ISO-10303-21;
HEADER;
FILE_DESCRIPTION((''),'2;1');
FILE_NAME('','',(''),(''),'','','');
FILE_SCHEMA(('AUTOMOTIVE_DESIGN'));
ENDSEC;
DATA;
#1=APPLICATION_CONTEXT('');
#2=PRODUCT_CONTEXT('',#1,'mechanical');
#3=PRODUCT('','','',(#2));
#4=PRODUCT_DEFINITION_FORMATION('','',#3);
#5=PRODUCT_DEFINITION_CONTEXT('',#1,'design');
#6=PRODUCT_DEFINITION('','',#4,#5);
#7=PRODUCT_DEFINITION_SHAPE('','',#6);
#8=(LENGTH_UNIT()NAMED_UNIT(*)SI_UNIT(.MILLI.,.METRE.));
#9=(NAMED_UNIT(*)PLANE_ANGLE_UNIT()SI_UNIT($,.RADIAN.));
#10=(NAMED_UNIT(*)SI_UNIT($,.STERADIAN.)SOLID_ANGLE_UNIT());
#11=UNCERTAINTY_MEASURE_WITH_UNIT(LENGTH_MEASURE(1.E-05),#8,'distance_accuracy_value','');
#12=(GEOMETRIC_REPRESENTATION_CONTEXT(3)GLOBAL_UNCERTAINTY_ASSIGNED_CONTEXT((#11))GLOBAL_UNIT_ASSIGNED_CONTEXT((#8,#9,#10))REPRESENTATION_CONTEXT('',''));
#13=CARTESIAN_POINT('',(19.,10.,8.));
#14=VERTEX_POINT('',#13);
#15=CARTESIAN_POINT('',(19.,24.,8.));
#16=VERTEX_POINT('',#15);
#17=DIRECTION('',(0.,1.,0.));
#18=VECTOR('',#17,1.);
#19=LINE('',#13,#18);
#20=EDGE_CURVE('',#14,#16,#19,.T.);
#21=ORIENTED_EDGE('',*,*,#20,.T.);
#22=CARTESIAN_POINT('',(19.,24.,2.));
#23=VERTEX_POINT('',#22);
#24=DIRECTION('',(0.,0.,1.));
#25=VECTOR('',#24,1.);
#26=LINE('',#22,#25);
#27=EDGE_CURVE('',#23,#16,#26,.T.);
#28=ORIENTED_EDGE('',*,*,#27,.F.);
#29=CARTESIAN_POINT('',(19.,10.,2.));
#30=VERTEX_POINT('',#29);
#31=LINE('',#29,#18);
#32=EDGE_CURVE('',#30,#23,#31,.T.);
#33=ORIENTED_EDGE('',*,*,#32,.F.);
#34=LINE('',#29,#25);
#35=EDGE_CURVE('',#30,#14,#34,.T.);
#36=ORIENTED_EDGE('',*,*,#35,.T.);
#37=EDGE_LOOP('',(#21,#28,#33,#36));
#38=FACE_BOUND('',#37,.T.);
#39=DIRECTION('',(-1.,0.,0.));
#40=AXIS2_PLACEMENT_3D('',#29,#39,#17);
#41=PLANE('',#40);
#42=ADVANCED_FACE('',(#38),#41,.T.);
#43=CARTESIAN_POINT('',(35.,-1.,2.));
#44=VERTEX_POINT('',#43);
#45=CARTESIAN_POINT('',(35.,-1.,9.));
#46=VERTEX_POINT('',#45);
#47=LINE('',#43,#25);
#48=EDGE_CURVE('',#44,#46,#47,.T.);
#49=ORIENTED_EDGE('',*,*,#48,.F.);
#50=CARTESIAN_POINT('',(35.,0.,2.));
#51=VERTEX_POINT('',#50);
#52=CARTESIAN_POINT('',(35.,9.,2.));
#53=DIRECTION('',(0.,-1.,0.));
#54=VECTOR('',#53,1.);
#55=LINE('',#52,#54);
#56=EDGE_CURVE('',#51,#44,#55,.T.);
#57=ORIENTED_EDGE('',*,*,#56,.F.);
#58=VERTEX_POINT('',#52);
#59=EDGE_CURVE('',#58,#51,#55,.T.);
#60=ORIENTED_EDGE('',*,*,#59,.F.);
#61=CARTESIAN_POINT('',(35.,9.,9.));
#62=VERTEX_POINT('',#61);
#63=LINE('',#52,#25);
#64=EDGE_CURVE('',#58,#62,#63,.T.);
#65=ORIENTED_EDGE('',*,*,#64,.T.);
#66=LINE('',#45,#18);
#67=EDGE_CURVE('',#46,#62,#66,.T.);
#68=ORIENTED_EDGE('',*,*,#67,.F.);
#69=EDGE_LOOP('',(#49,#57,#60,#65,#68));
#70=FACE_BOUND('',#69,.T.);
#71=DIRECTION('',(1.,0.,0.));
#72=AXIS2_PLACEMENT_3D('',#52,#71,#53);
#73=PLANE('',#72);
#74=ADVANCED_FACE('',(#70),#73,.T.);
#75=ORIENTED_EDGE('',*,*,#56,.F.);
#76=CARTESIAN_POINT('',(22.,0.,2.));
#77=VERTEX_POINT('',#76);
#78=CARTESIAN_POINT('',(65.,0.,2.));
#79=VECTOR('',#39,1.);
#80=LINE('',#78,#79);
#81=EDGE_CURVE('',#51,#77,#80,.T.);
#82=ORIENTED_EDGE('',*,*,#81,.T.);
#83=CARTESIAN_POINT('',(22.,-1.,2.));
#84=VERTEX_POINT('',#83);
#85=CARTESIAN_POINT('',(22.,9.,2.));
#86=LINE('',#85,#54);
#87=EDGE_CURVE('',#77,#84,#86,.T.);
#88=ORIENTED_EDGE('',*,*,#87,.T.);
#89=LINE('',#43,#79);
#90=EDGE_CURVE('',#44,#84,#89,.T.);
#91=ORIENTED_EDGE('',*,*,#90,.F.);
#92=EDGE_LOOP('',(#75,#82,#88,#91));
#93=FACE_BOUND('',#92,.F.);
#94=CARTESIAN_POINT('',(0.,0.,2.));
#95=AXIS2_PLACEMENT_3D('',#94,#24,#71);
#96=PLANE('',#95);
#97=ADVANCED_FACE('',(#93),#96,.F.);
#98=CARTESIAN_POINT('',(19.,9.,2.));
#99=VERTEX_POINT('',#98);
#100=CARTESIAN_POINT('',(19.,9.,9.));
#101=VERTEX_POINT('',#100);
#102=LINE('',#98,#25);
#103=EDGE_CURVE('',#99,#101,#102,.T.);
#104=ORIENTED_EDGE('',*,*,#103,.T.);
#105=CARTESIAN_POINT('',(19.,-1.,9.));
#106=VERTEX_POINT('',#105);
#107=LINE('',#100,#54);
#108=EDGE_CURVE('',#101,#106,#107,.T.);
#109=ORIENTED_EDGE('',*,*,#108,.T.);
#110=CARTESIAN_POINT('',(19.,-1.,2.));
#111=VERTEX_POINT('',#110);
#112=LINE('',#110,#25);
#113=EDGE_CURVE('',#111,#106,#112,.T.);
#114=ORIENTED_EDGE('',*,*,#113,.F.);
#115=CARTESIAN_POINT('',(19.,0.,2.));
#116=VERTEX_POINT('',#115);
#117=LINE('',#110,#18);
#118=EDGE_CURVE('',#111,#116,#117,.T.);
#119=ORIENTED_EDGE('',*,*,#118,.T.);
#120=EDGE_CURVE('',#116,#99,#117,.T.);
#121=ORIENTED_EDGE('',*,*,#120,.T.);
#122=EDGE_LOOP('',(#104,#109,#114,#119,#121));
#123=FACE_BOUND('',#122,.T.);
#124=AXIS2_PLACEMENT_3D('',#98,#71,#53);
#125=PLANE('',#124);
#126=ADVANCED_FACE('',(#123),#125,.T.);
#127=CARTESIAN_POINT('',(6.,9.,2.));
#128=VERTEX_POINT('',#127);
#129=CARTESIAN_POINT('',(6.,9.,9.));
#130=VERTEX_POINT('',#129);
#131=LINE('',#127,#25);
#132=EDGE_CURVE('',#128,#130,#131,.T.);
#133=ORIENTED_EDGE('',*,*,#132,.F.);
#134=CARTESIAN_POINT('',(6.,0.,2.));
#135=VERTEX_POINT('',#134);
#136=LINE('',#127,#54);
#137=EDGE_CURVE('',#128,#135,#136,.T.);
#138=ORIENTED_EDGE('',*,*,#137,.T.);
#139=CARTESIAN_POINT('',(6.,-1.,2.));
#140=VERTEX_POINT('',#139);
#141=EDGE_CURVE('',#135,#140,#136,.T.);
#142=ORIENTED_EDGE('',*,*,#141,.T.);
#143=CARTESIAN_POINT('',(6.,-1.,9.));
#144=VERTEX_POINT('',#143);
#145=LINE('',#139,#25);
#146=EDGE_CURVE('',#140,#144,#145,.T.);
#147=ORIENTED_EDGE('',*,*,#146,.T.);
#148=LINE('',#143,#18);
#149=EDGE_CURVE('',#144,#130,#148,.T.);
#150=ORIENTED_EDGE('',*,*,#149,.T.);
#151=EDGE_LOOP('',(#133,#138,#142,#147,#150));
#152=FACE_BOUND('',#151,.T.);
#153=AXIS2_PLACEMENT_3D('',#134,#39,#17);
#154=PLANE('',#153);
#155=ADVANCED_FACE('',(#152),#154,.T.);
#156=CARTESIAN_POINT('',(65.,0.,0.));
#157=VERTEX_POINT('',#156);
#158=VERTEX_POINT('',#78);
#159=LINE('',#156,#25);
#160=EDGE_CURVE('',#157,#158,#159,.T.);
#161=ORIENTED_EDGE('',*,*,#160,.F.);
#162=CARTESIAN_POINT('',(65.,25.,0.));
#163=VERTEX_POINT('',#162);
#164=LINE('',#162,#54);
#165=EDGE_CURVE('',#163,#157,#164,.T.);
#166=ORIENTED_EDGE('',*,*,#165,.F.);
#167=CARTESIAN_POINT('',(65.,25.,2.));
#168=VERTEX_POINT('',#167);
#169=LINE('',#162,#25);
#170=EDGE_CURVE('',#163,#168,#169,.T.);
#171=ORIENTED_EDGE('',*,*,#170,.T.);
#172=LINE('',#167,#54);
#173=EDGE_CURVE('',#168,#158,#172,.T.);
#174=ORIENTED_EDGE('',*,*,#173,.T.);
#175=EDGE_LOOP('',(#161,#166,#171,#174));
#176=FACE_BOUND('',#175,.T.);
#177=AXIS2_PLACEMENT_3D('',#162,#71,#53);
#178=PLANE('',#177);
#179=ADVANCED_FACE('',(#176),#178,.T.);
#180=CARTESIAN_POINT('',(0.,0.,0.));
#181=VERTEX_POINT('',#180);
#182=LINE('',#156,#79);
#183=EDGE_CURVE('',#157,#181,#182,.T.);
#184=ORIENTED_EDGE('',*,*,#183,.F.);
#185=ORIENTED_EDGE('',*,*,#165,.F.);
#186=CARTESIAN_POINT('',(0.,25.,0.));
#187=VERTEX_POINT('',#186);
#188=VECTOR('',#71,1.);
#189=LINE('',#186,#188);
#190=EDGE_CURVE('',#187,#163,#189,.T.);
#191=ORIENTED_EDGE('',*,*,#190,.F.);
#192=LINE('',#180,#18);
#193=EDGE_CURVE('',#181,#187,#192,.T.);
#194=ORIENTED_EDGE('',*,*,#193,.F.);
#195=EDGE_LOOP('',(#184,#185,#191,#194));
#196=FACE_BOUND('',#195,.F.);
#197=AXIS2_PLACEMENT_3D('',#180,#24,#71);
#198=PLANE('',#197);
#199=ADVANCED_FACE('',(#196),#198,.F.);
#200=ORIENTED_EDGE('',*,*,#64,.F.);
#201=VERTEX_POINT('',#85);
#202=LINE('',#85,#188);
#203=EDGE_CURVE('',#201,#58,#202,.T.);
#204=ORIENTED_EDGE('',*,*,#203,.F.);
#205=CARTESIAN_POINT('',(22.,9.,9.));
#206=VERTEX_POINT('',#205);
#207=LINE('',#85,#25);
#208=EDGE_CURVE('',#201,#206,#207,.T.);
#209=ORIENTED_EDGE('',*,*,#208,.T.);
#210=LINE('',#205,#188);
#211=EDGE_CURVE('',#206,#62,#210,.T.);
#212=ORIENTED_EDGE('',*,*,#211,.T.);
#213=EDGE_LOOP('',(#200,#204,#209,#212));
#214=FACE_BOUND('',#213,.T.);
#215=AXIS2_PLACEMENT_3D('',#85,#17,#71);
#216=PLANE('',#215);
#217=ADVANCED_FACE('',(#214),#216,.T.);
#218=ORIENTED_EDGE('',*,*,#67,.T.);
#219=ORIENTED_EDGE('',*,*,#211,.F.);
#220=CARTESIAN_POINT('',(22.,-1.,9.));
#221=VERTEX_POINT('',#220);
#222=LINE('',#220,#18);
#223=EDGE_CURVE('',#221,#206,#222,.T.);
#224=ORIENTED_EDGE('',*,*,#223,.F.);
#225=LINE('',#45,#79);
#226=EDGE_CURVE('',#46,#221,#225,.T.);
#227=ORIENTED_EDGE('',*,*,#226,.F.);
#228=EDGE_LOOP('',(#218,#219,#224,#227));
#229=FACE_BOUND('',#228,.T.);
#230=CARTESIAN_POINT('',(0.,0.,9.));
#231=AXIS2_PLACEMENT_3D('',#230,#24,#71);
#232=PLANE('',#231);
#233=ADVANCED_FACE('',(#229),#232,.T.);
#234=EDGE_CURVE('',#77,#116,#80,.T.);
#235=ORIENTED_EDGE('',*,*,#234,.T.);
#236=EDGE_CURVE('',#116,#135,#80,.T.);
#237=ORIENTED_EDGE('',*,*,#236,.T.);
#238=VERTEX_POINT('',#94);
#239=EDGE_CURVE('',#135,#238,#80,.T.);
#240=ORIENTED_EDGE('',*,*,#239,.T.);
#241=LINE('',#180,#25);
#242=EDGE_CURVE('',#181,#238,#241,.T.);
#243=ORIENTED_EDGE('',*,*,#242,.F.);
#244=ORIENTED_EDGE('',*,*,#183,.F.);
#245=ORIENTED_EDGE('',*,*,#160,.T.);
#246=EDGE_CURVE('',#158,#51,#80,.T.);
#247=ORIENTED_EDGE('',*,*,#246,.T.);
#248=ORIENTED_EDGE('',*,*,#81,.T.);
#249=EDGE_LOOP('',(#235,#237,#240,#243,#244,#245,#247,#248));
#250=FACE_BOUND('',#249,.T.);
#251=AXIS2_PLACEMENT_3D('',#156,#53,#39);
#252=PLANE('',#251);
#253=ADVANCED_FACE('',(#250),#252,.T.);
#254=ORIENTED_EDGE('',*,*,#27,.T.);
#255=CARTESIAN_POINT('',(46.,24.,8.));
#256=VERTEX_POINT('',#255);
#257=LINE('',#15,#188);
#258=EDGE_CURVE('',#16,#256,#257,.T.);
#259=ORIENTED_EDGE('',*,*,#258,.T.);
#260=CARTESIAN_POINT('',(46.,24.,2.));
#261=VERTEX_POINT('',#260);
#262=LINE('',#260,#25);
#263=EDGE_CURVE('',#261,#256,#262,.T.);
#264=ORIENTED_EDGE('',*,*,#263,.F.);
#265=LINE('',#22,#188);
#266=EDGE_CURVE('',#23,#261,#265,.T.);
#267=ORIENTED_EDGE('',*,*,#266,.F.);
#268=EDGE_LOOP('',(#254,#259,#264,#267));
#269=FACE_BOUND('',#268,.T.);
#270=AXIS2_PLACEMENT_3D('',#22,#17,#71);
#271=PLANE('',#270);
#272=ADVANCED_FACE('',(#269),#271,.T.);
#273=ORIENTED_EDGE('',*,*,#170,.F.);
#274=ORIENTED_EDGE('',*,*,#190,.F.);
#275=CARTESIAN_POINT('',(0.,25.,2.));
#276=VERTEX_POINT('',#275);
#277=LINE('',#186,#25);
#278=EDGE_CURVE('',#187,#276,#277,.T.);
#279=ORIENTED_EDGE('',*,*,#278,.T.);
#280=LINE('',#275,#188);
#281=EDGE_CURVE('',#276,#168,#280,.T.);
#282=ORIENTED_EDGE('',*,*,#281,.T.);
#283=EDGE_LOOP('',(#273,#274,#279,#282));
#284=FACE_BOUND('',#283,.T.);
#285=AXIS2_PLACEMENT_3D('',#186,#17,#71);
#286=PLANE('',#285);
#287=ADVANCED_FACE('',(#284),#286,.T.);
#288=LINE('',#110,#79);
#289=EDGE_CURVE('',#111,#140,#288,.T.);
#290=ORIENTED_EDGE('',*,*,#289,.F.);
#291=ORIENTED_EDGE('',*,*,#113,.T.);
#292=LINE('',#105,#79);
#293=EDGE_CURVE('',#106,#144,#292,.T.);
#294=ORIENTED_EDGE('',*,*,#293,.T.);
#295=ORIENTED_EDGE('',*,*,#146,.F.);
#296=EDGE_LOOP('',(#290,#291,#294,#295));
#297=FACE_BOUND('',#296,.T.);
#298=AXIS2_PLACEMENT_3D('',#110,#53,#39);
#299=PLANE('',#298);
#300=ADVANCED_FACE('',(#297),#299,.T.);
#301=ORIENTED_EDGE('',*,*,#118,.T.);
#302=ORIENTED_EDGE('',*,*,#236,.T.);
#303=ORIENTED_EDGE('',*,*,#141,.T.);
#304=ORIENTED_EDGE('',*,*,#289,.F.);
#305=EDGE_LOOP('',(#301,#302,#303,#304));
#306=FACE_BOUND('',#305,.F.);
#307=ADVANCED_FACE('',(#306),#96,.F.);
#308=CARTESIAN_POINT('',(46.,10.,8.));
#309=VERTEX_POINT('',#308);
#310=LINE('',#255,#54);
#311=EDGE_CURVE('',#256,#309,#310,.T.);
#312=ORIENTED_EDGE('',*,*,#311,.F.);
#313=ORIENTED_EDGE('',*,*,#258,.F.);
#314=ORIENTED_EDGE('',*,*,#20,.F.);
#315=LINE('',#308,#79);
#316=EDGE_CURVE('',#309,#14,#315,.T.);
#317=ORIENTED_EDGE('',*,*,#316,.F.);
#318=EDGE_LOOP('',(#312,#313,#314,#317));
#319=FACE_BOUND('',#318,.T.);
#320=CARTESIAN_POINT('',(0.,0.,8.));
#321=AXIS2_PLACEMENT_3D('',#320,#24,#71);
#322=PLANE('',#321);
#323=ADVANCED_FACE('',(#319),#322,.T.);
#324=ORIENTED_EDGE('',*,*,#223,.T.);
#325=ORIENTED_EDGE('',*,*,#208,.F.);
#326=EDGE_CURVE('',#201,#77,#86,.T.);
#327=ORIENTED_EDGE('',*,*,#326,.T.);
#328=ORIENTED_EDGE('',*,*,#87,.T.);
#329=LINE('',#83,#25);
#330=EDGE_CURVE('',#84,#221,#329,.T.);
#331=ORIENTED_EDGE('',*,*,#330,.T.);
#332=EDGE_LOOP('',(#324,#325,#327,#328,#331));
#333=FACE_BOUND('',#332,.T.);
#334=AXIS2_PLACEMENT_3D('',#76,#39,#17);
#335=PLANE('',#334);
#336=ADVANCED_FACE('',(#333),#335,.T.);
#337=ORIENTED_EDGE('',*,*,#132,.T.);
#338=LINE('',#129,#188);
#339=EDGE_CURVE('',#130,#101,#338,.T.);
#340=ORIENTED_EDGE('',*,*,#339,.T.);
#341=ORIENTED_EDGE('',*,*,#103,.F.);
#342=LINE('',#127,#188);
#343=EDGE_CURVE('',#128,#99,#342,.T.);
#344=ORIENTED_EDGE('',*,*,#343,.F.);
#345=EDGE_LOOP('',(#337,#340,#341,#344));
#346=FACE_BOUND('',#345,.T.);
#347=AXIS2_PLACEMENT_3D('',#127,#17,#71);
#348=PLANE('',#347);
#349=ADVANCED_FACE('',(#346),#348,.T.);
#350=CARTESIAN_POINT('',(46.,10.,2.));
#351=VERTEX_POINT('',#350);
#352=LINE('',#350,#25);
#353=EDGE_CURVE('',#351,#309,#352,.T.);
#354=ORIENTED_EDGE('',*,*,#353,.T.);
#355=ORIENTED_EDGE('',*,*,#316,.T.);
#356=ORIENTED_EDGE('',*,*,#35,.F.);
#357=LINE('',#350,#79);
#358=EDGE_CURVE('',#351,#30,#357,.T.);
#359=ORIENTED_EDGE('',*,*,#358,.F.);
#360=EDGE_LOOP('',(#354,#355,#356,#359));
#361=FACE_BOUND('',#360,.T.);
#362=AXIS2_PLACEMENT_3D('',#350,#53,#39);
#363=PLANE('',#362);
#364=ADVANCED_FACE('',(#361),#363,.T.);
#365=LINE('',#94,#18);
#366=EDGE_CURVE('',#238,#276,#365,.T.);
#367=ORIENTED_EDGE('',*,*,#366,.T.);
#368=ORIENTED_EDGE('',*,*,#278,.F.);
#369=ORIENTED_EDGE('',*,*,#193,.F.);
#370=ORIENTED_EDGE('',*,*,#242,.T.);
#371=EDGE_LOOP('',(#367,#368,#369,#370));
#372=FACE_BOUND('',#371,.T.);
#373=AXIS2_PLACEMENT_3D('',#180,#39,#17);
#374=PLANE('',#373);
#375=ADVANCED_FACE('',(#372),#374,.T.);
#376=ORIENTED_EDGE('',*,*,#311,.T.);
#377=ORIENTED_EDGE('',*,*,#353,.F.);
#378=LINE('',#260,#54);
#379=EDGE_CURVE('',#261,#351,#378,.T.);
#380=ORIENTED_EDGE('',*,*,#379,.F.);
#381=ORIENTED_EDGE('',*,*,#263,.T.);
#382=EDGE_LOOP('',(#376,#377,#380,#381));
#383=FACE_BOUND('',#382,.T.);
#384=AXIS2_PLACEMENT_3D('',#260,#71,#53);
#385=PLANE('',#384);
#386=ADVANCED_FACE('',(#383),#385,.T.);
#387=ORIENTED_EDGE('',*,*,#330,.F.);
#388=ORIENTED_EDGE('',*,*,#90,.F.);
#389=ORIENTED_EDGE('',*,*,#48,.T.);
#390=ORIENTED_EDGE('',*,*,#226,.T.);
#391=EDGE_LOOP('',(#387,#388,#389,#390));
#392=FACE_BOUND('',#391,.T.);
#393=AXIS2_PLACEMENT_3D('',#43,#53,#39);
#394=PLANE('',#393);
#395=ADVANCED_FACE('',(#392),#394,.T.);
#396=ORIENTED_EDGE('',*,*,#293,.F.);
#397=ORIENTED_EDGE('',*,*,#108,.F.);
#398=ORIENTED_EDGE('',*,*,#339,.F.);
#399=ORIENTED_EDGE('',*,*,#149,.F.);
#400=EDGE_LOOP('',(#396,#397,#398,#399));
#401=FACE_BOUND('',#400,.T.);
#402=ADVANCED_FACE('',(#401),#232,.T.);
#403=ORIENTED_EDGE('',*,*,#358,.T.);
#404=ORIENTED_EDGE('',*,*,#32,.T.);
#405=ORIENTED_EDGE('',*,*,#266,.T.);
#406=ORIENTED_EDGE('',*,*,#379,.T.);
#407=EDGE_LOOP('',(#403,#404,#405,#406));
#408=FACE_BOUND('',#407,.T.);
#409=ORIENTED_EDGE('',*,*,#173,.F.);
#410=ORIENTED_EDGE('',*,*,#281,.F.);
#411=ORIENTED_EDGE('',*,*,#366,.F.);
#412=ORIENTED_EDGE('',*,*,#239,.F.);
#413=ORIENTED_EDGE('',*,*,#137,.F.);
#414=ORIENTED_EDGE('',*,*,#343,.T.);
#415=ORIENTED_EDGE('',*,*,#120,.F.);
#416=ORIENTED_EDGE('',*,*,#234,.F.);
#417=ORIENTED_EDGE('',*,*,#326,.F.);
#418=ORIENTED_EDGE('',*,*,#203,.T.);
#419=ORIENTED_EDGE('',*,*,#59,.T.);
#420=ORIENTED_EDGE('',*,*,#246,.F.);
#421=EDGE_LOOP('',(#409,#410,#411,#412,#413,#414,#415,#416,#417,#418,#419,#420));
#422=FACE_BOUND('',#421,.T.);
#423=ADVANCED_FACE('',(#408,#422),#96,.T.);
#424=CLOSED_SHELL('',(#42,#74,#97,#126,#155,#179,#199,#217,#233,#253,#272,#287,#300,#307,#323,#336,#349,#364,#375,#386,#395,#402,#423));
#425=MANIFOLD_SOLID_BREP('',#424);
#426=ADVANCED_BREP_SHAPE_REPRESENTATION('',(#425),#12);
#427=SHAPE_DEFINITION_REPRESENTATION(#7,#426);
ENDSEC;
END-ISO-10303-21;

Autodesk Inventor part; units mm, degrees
ref_plane "YZ Plane" through (0, 0, 0) normal (1, 0, 0) x (0, 1, 0)
ref_plane "XZ Plane" through (0, 0, 0) normal (0, 1, 0) x (-1, 0, 0)
ref_plane "XY Plane" through (0, 0, 0) normal (0, 0, 1) x (1, 0, 0)
sketch "Esquisse1" plane through (0, 0, 0) normal (0, 0, 1) x (1, 0, 0)
  line L0 (0, 25) -> (65, 25)
  line L1 (65, 25) -> (65, 0)
  line L2 (65, 0) -> (0, 0)
  line L3 (0, 0) -> (0, 25)
  line L4 (-13, 0) -> (78, 0) projected
  line L5 (0, -5) -> (0, 30) projected
  point P0 (0, 0)
  dimension "d0" = 25
  dimension "d1" = 65
extrude "Extrusion1" add sketch "Esquisse1" along normal blind 2
sketch "Esquisse2" plane through (0, 0, 2) normal (0, 0, 1) x (1, 0, 0)
  line L0 (19, 24) -> (46, 24)
  line L1 (46, 24) -> (46, 10)
  line L2 (46, 10) -> (19, 10)
  line L3 (19, 10) -> (19, 24)
  line L4 (65, 0) -> (65, 25) projected
  line L5 (65, 25) -> (0, 25) projected
  line L6 (0, 0) -> (65, 0) projected
  dimension "d4" = 27
  dimension "d6" = 19
  dimension "d11" = 10
  dimension "d12" = 1
extrude "Extrusion2" add sketch "Esquisse2" along normal blind 6
sketch "Esquisse3" plane through (0, 0, 2) normal (0, 0, 1) x (1, 0, 0)
  line L0 (6, 9) -> (19, 9)
  line L1 (19, 9) -> (19, -1)
  line L2 (19, -1) -> (6, -1)
  line L3 (6, -1) -> (6, 9)
  line L4 (0, 25) -> (0, 0) projected
  line L5 (0, 0) -> (65, 0) projected
  line L6 (22, 9) -> (35, 9)
  line L7 (35, 9) -> (35, -1)
  line L8 (35, -1) -> (22, -1)
  line L9 (22, -1) -> (22, 9)
  dimension "d10" = 10
  dimension "d13" = 13
  dimension "d14" = 6
  dimension "d15" = 1
  dimension "d16" = 10
  dimension "d17" = 13
  dimension "d18" = 3
  dimension "d19" = 1
extrude "Extrusion3" add sketch "Esquisse3" along normal blind 7
equation "\"d16\" = d10"
equation "\"d17\" = d13"
equation "\"d19\" = d15"
properties part number "Power"
